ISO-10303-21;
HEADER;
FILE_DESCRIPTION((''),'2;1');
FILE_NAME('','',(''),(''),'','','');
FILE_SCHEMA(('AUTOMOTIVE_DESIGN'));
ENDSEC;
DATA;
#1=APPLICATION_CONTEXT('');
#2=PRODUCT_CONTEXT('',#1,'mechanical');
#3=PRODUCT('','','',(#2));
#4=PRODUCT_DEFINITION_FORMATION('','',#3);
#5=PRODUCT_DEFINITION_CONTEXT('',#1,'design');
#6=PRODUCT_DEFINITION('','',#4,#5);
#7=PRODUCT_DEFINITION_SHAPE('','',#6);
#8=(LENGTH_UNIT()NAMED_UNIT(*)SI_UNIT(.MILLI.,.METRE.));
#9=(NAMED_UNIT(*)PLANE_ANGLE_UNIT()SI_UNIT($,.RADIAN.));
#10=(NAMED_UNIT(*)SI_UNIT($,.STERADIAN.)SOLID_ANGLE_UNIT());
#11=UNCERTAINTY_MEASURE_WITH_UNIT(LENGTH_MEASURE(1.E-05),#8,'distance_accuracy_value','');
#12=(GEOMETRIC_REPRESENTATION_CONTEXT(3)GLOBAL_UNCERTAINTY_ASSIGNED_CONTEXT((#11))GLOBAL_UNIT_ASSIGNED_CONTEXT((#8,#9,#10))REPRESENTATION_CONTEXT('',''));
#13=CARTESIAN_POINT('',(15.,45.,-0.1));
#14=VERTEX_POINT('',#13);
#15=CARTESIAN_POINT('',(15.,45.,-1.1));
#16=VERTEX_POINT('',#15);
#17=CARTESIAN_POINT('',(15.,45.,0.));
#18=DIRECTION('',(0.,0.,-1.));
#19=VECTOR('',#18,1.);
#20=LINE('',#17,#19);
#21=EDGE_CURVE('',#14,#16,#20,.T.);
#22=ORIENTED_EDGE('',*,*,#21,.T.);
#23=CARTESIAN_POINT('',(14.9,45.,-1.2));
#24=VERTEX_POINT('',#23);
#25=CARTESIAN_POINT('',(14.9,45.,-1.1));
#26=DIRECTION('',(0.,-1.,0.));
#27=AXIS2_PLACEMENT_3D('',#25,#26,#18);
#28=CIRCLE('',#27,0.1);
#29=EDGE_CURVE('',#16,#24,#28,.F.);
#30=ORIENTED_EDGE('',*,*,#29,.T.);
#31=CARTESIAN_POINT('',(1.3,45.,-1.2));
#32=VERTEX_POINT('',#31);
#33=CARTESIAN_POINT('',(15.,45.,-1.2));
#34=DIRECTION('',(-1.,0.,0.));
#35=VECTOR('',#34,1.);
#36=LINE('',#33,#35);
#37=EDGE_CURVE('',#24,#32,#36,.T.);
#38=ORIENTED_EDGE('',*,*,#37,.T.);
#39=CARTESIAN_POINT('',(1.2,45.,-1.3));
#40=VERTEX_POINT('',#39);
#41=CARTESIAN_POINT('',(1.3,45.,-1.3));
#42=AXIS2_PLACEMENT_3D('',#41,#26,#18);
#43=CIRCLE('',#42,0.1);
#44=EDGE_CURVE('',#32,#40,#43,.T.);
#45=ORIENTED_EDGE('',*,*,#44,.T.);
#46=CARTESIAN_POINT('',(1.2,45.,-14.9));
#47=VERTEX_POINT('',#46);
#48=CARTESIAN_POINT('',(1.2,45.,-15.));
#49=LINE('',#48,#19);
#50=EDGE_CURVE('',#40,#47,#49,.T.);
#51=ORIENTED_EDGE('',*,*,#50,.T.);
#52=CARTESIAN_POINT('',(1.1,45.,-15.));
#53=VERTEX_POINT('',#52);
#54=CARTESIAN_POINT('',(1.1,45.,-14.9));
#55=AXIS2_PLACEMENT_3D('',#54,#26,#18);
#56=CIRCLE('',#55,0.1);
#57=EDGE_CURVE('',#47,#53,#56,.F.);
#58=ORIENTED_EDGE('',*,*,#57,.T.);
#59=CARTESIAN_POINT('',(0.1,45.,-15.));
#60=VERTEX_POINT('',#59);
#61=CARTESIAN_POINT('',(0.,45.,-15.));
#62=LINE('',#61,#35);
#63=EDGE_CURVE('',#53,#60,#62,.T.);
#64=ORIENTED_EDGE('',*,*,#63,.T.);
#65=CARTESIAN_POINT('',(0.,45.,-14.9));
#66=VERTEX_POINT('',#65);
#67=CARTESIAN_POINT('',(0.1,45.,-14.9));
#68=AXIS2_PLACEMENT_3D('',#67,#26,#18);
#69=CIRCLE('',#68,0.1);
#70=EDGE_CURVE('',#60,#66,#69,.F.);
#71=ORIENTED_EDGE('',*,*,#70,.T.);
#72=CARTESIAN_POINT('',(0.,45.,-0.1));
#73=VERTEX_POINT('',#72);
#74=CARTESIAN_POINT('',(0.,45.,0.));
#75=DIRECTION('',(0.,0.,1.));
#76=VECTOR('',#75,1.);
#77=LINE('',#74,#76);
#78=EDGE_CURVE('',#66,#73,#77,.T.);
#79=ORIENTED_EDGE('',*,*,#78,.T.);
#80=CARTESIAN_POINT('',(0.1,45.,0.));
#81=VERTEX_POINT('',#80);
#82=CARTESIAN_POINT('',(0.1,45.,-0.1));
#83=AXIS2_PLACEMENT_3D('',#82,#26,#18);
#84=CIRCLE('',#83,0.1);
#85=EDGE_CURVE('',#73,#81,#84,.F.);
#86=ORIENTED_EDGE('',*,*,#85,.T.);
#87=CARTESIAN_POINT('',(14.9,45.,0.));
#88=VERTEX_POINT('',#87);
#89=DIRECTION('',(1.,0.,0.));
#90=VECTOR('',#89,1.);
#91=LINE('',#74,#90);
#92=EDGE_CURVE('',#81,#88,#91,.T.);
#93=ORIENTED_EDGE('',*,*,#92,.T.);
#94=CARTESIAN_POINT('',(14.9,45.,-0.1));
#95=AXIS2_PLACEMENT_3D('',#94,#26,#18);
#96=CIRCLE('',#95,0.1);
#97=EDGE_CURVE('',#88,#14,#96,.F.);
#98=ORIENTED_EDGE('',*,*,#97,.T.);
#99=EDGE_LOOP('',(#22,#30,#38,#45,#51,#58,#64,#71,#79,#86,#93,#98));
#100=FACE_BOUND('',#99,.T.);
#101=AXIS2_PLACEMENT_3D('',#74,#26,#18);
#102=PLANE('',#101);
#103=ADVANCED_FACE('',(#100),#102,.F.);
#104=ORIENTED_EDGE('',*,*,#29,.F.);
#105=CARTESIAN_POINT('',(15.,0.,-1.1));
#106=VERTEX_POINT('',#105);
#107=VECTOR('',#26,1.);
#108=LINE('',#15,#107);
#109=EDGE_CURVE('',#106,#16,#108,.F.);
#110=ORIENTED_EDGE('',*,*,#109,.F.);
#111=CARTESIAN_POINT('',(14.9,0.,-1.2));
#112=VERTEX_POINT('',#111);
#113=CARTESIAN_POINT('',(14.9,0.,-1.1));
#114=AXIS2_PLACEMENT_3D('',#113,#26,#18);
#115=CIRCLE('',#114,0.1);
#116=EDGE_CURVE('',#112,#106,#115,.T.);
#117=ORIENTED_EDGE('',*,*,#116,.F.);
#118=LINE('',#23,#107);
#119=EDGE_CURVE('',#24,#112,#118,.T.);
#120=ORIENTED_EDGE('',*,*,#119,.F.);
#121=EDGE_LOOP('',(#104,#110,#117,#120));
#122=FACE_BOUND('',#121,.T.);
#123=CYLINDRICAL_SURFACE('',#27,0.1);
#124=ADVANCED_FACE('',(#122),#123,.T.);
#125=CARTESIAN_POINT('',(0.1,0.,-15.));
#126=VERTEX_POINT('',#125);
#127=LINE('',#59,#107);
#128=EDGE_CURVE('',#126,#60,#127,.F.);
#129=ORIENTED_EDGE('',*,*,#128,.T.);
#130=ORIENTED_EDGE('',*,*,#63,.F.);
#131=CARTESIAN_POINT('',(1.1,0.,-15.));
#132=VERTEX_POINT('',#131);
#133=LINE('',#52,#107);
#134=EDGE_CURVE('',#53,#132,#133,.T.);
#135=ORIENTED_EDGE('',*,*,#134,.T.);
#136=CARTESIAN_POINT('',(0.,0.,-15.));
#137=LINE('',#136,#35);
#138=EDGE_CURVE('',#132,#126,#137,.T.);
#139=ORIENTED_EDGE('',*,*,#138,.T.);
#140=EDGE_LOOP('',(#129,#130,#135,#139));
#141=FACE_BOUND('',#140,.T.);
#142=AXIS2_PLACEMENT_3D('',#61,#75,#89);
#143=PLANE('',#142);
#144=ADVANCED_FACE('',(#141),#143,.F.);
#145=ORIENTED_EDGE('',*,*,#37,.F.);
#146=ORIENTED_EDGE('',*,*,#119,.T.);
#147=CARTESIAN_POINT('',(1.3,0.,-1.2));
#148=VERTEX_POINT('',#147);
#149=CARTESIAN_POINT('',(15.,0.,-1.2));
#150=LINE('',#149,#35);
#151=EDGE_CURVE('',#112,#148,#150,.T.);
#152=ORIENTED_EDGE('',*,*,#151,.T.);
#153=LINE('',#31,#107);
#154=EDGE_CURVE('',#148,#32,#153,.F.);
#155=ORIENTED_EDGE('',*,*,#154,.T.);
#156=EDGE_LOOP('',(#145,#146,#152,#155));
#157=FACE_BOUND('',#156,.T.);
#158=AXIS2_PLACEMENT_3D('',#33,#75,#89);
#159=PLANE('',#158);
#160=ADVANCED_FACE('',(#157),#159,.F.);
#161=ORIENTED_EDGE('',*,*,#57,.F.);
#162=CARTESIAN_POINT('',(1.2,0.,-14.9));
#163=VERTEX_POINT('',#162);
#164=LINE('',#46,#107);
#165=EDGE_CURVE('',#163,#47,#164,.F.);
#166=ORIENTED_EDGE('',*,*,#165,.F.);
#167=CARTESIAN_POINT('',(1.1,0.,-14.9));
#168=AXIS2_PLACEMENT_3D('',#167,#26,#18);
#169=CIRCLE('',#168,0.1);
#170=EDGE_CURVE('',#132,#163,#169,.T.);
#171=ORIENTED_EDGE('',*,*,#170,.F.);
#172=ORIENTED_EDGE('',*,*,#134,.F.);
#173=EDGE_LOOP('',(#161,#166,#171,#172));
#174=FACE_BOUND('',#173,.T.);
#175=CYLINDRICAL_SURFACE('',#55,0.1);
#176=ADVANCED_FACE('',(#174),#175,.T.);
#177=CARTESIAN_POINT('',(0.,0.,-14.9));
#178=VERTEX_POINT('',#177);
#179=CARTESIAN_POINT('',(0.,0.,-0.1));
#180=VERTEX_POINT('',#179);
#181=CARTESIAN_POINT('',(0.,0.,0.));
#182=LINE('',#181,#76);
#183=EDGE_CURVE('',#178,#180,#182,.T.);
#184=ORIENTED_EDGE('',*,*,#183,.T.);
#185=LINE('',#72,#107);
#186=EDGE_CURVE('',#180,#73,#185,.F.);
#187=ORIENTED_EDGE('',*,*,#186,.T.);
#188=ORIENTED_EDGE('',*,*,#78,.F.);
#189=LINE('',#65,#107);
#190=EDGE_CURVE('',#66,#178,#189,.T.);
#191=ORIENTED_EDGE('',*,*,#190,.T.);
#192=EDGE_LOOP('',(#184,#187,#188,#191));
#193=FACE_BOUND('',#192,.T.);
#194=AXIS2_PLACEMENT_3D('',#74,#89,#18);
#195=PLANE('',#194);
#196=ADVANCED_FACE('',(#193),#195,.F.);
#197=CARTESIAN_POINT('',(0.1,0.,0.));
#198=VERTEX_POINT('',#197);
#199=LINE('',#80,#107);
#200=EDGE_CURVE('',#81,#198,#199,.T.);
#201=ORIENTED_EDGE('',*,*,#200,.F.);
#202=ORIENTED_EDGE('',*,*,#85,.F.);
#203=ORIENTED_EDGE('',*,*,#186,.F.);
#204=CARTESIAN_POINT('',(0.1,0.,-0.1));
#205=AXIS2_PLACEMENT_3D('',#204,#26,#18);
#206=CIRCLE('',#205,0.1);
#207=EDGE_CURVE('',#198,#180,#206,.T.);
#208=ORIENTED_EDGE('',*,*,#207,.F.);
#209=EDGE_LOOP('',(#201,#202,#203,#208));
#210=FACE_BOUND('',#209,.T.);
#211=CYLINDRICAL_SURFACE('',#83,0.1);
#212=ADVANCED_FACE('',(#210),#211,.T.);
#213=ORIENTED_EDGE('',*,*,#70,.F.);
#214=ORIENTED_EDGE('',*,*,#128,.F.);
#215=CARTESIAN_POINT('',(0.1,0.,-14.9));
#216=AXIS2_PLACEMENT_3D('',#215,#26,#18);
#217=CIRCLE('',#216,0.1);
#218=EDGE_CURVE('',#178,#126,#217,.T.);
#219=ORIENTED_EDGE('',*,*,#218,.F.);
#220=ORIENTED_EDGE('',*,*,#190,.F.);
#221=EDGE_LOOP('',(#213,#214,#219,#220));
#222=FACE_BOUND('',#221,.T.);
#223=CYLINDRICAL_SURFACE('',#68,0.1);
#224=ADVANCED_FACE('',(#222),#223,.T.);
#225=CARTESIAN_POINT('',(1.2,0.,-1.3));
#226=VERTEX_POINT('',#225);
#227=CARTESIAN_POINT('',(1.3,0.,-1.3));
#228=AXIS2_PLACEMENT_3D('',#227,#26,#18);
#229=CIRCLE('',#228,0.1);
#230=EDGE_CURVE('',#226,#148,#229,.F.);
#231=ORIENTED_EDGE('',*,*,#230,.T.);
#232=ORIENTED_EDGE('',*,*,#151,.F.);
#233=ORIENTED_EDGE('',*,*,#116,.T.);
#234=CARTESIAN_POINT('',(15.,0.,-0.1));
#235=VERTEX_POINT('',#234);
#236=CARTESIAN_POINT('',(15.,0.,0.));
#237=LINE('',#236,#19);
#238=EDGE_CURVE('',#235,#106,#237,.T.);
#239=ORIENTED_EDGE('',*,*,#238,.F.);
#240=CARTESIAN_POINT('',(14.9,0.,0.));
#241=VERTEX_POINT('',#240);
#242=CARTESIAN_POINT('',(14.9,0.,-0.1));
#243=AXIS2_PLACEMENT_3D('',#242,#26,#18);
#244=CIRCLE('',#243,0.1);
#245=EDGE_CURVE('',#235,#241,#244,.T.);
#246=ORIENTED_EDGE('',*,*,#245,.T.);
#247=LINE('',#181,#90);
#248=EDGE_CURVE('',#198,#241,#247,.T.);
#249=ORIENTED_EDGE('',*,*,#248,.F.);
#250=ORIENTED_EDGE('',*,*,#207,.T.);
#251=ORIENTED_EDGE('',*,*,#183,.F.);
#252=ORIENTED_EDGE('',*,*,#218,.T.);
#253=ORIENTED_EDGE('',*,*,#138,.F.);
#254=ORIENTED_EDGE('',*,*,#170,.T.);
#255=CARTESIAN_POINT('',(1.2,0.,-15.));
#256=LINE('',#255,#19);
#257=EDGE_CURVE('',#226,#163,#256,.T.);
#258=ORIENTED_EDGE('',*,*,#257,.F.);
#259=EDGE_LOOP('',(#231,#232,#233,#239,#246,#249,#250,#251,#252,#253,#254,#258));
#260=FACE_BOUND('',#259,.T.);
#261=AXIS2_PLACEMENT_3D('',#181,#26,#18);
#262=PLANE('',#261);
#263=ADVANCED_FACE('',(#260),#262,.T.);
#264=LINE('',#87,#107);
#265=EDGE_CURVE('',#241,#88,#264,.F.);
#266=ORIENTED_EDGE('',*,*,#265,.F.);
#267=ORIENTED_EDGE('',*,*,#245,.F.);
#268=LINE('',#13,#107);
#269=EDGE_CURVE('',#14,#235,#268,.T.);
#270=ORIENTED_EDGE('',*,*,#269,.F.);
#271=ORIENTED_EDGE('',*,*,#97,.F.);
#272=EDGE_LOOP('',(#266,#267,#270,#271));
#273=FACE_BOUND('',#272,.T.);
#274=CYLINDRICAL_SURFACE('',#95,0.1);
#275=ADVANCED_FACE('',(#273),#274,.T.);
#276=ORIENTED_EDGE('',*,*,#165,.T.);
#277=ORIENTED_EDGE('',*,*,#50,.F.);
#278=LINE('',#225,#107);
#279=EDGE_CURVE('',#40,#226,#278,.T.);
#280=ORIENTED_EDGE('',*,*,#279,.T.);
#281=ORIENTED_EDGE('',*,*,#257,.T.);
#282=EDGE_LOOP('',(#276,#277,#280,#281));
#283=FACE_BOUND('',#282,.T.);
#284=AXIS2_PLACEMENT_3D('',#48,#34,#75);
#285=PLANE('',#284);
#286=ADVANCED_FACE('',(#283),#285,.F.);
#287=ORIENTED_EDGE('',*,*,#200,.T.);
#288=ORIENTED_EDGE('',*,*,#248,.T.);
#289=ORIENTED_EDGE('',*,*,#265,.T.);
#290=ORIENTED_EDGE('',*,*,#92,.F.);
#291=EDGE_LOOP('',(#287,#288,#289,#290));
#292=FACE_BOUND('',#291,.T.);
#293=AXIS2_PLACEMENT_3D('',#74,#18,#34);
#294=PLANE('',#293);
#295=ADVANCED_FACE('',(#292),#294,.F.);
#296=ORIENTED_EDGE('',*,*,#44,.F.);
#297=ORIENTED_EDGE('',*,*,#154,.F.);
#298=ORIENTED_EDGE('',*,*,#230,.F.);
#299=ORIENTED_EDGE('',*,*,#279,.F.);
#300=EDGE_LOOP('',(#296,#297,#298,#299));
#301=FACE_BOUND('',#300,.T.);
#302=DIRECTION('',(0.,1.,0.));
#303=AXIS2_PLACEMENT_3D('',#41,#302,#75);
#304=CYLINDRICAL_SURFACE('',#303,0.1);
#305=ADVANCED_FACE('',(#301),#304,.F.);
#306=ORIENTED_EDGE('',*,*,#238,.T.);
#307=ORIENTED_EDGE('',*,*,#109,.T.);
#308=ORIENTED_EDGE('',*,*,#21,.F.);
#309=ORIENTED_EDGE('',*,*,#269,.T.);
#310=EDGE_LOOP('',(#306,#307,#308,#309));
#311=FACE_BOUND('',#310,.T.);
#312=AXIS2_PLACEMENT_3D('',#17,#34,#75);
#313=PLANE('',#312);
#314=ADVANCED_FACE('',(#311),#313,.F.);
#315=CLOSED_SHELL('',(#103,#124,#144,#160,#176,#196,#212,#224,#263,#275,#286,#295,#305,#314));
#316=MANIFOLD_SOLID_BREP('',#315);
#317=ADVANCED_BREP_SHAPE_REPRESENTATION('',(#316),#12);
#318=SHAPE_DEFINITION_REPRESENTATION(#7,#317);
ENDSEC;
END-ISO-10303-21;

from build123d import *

# Parameters (mm, degrees)
DODANIE_WYCI_GNI_CIE1_DEPTH = 45
ZAOKR_GLENIE2_R             = 0.1


with BuildPart() as part:
    # Szkic1 → Dodanie-wyciągnięcie1 (new body)
    with BuildSketch(Plane(origin=(0, 0, 0), x_dir=(1, 0, 0), z_dir=(0, 1, 0))):
        Polygon((0, 0), (15, 0), (15, 1.2), (1.2, 1.2), (1.2, 15), (0, 15), align=None)
    extrude(amount=DODANIE_WYCI_GNI_CIE1_DEPTH)

    # Zaokrąglenie2
    zaokr_glenie2_edges = [part.edges().sort_by_distance(p)[0] for p in [
        (0, 22.5, -15),
        (1.2, 22.5, -15),
        (1.2, 22.5, -1.2),
        (15, 22.5, -1.2),
        (15, 22.5, 0),
        (0, 22.5, 0),
    ]]
    fillet(zaokr_glenie2_edges, radius=ZAOKR_GLENIE2_R)


solid = part.part
